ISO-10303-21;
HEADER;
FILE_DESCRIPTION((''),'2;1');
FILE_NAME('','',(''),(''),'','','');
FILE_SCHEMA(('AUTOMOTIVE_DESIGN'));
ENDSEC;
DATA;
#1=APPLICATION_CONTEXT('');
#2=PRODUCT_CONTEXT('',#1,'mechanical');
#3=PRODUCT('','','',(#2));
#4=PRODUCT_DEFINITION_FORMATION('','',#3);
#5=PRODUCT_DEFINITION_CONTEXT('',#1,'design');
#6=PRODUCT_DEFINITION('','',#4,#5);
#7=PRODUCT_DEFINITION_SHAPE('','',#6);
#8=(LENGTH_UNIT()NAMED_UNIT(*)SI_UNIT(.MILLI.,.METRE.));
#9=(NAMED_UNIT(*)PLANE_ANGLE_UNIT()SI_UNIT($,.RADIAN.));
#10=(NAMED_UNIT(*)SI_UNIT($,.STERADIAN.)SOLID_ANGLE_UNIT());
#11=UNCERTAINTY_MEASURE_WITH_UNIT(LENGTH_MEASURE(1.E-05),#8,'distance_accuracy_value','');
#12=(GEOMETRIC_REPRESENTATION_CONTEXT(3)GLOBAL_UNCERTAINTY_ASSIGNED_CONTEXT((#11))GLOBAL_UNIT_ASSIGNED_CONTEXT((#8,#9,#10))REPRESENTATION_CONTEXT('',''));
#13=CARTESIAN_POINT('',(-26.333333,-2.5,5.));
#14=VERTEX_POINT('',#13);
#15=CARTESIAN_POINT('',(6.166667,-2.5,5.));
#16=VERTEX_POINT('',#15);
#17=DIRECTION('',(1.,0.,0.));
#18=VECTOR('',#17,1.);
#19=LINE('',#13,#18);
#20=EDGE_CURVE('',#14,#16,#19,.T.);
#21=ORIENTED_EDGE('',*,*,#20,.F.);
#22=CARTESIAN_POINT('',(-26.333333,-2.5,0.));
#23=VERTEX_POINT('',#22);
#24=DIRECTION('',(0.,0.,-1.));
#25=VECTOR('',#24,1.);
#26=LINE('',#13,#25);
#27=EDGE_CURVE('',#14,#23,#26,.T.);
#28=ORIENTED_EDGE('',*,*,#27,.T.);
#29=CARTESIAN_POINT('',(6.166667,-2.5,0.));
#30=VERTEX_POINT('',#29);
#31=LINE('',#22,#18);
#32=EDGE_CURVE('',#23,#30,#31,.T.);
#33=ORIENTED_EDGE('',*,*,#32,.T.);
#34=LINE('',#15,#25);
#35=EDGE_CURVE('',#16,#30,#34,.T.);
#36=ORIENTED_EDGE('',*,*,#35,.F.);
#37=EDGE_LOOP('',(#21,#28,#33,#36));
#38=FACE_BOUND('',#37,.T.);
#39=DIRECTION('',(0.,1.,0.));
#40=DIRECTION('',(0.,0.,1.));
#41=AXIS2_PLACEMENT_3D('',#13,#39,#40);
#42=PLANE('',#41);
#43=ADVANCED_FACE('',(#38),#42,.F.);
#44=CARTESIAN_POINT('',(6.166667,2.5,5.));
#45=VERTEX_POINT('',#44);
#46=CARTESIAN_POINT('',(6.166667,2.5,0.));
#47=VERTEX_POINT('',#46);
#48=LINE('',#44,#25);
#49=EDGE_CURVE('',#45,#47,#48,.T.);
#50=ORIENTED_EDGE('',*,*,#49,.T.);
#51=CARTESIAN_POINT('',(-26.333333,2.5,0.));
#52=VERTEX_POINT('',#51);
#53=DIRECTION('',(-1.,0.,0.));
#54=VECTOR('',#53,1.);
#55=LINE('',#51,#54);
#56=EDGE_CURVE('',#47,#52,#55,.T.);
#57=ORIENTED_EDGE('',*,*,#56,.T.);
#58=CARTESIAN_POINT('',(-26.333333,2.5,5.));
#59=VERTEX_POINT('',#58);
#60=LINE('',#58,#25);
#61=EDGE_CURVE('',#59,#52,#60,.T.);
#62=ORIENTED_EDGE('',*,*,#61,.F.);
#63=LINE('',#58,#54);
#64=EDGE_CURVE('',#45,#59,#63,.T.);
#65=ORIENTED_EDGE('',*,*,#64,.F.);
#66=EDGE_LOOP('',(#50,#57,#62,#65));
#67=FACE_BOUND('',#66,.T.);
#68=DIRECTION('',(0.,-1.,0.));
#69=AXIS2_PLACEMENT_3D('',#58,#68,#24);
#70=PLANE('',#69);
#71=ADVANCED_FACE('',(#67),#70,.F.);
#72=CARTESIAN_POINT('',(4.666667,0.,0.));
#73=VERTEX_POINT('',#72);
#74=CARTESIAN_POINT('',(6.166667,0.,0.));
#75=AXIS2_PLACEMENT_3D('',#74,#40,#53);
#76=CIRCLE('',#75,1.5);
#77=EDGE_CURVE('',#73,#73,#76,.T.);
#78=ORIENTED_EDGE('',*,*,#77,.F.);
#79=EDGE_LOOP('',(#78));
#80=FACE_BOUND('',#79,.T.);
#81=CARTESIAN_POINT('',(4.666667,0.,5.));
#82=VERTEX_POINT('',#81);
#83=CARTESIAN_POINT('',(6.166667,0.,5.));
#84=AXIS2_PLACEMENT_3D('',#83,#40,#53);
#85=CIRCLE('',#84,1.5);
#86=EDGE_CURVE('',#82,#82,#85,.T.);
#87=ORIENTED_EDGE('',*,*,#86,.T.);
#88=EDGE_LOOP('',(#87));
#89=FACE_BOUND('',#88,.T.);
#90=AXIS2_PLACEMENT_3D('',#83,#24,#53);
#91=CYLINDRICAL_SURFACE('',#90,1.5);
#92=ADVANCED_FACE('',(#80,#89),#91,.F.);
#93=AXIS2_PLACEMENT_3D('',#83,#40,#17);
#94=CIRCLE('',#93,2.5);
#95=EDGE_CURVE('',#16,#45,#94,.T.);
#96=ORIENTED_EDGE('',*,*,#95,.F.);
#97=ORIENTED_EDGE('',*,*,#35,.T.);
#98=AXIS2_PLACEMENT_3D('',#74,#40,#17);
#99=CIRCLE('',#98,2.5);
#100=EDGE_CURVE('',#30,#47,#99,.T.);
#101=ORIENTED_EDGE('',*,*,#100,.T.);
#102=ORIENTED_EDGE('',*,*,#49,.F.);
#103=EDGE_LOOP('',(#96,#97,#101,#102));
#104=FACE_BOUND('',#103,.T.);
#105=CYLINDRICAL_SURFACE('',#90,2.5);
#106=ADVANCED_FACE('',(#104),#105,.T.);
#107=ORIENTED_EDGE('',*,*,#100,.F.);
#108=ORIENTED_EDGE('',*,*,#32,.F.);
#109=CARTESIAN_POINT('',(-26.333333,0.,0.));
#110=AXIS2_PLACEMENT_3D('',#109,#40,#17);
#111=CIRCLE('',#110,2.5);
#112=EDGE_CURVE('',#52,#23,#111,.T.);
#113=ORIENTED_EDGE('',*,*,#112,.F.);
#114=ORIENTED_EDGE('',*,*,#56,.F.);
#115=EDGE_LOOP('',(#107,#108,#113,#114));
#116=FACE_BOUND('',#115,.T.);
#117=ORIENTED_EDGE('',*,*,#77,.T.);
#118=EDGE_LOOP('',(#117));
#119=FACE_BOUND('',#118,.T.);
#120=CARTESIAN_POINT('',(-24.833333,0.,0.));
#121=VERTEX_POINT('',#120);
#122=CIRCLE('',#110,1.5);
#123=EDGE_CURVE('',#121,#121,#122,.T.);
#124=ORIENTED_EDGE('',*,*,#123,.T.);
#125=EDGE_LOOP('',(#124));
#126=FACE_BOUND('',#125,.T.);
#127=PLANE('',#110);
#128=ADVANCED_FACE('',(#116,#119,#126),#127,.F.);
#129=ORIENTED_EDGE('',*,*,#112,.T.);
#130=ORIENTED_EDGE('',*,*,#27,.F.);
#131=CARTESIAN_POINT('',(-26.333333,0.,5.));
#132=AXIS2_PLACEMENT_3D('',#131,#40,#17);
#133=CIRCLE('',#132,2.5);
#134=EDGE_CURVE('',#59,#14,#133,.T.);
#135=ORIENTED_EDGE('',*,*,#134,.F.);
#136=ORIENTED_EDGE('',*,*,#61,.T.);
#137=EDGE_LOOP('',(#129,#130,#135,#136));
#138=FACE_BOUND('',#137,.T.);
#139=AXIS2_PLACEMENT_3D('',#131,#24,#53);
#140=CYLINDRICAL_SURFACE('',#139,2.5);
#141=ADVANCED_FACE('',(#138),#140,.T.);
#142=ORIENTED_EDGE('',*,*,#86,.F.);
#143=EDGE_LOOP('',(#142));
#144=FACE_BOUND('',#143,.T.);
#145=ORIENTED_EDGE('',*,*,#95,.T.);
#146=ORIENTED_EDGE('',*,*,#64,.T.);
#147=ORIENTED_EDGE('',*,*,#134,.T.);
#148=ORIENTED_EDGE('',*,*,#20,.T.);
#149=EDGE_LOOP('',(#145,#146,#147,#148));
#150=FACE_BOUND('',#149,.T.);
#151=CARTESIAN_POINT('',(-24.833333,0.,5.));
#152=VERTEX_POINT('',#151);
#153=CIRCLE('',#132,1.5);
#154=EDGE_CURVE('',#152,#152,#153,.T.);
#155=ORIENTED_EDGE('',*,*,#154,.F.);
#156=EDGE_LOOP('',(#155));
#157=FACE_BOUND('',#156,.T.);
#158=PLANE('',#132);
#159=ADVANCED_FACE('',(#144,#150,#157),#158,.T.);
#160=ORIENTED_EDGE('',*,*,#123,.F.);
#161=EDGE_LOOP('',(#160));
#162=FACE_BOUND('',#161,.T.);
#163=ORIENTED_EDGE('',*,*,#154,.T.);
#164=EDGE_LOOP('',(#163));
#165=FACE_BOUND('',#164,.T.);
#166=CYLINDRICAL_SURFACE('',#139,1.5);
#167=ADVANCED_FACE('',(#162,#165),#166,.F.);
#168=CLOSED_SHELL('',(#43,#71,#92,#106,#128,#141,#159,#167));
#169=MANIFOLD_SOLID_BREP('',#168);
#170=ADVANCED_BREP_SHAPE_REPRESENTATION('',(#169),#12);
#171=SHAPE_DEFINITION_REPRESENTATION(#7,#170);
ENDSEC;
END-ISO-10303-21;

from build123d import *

# Parameters (mm, degrees)
SKETCH1_R           = 1.5
BOSS_EXTRUDE1_DEPTH = 5


with BuildPart() as part:
    # Sketch1 → Boss-Extrude1 (new body)
    with BuildSketch(Plane.XY):
        with BuildLine():
            Line((-26.333333333, 2.5), (6.166666667, 2.5))
            ThreePointArc((6.166666667, 2.5), (8.666666667, 0), (6.166666667, -2.5))
            Line((6.166666667, -2.5), (-26.333333333, -2.5))
            ThreePointArc((-26.333333333, -2.5), (-28.833333333, 0), (-26.333333333, 2.5))
        make_face()
        with Locations((-26.333333333, 0)):
            Circle(SKETCH1_R, mode=Mode.SUBTRACT)
        with Locations((6.166666667, 0)):
            Circle(SKETCH1_R, mode=Mode.SUBTRACT)
    extrude(amount=BOSS_EXTRUDE1_DEPTH)


solid = part.part
